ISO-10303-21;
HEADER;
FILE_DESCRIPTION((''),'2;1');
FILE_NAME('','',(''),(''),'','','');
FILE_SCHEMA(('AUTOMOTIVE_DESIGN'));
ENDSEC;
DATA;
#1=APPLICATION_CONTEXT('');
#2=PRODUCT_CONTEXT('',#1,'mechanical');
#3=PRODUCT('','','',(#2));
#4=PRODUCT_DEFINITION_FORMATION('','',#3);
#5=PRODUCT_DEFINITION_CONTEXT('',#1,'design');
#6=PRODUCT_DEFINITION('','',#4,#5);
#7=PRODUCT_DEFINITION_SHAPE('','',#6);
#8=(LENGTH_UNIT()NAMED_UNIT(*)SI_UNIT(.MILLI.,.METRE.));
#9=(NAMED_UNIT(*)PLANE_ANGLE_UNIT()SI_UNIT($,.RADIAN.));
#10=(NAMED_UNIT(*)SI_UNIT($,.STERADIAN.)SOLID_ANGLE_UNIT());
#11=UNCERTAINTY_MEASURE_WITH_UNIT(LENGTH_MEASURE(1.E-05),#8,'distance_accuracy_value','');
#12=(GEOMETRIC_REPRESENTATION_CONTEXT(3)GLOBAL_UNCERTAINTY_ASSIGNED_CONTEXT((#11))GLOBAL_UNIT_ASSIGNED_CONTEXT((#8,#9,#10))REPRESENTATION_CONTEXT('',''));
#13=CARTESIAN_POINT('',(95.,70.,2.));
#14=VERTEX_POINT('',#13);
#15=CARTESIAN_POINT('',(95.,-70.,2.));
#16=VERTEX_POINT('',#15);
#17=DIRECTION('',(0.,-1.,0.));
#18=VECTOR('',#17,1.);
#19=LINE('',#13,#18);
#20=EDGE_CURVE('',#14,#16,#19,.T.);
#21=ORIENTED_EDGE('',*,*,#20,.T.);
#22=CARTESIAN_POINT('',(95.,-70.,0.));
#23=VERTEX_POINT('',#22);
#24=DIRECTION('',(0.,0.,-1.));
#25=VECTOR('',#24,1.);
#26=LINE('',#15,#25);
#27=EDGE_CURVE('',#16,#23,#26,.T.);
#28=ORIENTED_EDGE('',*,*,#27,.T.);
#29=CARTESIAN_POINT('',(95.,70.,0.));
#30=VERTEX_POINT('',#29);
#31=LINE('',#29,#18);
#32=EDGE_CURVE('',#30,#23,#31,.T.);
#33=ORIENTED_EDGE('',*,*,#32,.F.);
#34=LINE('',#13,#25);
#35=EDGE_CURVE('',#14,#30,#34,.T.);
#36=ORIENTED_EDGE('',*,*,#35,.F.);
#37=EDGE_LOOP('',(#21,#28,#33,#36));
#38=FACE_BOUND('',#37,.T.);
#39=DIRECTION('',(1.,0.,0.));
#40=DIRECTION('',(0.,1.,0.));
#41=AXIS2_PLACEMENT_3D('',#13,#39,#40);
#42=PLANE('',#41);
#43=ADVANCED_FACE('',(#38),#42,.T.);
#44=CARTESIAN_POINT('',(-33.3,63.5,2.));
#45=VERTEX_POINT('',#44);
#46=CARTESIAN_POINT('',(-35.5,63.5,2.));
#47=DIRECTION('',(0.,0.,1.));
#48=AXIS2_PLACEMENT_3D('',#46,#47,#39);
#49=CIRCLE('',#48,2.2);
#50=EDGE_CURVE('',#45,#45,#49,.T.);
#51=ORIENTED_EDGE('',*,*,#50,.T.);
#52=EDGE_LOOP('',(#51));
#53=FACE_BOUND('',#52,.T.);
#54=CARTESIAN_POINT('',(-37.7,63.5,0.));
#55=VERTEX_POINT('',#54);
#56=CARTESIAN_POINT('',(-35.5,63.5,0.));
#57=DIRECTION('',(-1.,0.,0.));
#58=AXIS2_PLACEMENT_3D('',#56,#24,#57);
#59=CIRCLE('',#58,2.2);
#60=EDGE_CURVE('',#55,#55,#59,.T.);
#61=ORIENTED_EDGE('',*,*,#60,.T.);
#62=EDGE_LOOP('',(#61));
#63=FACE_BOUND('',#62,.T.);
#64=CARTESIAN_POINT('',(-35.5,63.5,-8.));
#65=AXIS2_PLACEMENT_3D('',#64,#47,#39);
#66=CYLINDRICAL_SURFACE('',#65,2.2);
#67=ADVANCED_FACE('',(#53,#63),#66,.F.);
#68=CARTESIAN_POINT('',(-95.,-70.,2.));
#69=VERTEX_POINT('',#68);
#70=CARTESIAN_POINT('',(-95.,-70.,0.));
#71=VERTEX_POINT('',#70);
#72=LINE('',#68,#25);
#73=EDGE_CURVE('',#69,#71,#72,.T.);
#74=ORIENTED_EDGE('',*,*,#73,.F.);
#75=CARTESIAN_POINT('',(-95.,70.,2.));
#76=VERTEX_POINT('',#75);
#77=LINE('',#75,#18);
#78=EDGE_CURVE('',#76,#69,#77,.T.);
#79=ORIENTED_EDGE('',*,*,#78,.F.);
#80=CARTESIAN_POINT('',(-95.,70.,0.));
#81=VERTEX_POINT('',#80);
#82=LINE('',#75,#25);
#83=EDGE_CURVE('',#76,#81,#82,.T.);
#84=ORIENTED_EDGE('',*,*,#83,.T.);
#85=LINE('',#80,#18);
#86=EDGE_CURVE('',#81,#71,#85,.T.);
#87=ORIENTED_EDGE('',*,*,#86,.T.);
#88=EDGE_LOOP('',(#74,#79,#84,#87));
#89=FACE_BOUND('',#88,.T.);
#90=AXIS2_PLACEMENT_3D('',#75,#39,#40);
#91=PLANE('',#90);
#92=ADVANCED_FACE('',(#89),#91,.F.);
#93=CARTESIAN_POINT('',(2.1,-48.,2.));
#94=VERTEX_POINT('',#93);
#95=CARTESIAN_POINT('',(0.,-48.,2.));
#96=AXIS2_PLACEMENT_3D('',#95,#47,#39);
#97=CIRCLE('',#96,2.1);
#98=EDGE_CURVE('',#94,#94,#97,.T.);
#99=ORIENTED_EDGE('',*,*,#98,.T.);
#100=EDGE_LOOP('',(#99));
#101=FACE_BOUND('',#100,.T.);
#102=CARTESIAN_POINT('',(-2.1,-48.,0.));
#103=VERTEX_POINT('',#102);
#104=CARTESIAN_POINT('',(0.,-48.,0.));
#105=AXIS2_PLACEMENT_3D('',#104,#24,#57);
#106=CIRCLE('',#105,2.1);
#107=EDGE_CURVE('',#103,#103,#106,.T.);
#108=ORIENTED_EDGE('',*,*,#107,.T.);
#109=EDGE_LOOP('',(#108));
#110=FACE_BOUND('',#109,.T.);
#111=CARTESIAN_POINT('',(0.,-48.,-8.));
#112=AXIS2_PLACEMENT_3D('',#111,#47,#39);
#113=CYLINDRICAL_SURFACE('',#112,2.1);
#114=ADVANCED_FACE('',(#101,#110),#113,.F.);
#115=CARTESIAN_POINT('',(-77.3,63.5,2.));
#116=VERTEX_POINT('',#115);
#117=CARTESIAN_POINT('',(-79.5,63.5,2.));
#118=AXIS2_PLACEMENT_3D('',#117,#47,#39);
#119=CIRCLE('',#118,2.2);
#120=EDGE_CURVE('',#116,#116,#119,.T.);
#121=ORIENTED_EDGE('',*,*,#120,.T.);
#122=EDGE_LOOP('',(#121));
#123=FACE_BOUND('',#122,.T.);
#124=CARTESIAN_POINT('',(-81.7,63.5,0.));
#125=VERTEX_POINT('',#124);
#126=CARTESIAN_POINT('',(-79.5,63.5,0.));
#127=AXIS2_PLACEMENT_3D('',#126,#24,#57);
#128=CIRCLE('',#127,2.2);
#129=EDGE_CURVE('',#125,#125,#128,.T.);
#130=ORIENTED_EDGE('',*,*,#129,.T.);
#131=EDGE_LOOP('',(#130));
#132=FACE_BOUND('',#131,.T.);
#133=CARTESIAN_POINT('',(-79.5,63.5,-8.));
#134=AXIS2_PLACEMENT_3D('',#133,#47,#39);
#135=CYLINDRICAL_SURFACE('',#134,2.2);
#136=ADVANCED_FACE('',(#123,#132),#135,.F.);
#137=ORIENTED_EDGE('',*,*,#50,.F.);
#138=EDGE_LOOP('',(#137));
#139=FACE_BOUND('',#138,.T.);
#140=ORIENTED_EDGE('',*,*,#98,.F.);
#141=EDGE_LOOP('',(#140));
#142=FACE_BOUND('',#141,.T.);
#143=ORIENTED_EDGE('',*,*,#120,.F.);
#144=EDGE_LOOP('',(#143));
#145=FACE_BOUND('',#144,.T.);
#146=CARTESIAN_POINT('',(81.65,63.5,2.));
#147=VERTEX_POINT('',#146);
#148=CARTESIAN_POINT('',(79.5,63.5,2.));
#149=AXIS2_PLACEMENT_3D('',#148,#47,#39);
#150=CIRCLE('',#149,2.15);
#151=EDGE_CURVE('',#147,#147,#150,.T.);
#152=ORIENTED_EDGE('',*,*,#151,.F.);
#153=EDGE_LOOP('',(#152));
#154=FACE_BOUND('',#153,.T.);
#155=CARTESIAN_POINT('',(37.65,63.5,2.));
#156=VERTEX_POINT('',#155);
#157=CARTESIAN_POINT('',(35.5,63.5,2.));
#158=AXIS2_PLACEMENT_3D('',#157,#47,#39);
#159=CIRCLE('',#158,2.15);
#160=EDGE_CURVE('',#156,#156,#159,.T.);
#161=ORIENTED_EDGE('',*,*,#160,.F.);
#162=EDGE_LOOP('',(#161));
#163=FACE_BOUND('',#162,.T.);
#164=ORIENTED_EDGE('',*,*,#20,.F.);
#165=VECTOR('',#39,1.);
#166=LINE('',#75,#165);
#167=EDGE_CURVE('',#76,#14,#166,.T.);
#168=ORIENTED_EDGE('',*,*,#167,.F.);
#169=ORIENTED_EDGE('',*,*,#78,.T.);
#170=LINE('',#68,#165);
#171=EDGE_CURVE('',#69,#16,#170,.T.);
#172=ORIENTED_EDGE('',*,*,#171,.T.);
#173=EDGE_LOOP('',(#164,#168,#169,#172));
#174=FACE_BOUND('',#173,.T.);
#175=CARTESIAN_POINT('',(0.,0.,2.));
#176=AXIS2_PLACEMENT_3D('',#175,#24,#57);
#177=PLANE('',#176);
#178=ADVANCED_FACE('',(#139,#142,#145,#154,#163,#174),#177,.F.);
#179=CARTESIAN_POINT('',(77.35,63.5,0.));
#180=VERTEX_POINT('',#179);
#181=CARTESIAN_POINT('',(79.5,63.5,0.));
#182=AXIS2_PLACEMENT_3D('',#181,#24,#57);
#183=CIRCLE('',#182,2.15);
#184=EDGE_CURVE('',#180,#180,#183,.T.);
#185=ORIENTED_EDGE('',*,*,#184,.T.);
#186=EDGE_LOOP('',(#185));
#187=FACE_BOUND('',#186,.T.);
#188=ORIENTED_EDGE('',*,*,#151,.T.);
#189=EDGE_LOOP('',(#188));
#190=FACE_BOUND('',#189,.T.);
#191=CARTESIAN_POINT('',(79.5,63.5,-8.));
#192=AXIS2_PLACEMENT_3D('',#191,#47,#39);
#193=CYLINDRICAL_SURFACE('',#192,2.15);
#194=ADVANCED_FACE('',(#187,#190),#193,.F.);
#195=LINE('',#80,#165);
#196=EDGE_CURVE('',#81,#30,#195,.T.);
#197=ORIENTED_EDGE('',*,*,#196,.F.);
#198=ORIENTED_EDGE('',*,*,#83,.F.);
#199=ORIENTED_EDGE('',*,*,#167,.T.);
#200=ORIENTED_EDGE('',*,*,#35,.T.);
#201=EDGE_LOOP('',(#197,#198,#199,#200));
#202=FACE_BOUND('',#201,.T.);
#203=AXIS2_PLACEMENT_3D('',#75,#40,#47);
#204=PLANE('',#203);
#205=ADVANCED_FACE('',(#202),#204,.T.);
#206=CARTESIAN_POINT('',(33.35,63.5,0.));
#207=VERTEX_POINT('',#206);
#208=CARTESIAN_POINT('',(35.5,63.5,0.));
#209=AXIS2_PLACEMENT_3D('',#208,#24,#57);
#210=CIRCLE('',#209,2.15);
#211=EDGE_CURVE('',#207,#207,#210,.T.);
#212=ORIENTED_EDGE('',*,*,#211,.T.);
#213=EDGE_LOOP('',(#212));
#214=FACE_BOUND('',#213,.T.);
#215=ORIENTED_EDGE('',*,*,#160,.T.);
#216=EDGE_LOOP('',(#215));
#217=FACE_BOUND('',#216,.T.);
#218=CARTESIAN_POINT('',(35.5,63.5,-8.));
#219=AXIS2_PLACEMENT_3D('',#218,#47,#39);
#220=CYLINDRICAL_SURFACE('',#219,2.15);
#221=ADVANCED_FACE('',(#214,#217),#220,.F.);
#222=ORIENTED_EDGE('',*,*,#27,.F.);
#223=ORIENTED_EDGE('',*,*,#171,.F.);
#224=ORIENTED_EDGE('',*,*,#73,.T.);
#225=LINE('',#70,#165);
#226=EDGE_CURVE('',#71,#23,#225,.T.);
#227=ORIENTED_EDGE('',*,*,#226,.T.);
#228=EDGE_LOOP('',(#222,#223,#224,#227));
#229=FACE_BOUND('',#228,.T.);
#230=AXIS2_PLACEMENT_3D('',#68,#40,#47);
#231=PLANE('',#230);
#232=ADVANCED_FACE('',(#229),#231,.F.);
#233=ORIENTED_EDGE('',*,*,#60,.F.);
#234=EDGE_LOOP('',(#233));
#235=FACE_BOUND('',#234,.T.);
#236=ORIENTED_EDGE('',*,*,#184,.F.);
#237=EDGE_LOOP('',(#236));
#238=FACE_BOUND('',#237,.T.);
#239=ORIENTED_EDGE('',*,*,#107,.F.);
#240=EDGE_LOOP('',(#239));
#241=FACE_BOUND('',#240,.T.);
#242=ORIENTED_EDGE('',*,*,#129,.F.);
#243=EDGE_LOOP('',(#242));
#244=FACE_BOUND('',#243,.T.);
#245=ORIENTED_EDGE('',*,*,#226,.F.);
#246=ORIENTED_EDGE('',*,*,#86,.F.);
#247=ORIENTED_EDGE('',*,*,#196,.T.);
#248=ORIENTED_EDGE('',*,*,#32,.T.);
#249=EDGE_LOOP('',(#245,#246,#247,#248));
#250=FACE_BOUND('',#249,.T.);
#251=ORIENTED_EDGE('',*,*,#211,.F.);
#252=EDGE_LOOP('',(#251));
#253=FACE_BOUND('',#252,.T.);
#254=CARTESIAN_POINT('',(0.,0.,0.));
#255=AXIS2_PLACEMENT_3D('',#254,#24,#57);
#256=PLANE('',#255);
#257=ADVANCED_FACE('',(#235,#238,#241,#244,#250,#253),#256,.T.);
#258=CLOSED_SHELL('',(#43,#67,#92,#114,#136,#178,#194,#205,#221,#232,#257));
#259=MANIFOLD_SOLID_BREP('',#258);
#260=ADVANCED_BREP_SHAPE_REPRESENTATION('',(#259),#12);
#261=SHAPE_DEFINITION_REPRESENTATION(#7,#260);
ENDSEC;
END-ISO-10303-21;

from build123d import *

# Parameters (mm, degrees)
SKETCH_1_W          = 190
SKETCH_1_H          = 140
EXTRUDE_1_DEPTH     = 2
SKETCH_2_R          = 2.15
SKETCH_2_R_2        = 2.2
CUT_EXTRUDE_1_DEPTH = 10
SKETCH_3_R          = 2.1
CUT_EXTRUDE_2_DEPTH = 10


with BuildPart() as part:
    # ｽｹｯﾁ1 → ﾎﾞｽ - 押し出し1 (new body)
    with BuildSketch(Plane.XY):
        Rectangle(SKETCH_1_W, SKETCH_1_H)
    extrude(amount=EXTRUDE_1_DEPTH)

    # ｽｹｯﾁ2 → ｶｯﾄ - 押し出し1 (cut)
    with BuildSketch(Plane.XY.offset(2)):
        with Locations((35.5, 63.5)):
            Circle(SKETCH_2_R)
        with Locations((79.5, 63.5)):
            Circle(SKETCH_2_R)
        with Locations((-35.5, 63.5)):
            Circle(SKETCH_2_R_2)
        with Locations((-79.5, 63.5)):
            Circle(SKETCH_2_R_2)
    extrude(amount=-CUT_EXTRUDE_1_DEPTH, mode=Mode.SUBTRACT)

    # ｽｹｯﾁ3 → ｶｯﾄ - 押し出し2 (cut)
    with BuildSketch(Plane.XY.offset(2)):
        with Locations((0, -48)):
            Circle(SKETCH_3_R)
    extrude(amount=-CUT_EXTRUDE_2_DEPTH, mode=Mode.SUBTRACT)


solid = part.part
